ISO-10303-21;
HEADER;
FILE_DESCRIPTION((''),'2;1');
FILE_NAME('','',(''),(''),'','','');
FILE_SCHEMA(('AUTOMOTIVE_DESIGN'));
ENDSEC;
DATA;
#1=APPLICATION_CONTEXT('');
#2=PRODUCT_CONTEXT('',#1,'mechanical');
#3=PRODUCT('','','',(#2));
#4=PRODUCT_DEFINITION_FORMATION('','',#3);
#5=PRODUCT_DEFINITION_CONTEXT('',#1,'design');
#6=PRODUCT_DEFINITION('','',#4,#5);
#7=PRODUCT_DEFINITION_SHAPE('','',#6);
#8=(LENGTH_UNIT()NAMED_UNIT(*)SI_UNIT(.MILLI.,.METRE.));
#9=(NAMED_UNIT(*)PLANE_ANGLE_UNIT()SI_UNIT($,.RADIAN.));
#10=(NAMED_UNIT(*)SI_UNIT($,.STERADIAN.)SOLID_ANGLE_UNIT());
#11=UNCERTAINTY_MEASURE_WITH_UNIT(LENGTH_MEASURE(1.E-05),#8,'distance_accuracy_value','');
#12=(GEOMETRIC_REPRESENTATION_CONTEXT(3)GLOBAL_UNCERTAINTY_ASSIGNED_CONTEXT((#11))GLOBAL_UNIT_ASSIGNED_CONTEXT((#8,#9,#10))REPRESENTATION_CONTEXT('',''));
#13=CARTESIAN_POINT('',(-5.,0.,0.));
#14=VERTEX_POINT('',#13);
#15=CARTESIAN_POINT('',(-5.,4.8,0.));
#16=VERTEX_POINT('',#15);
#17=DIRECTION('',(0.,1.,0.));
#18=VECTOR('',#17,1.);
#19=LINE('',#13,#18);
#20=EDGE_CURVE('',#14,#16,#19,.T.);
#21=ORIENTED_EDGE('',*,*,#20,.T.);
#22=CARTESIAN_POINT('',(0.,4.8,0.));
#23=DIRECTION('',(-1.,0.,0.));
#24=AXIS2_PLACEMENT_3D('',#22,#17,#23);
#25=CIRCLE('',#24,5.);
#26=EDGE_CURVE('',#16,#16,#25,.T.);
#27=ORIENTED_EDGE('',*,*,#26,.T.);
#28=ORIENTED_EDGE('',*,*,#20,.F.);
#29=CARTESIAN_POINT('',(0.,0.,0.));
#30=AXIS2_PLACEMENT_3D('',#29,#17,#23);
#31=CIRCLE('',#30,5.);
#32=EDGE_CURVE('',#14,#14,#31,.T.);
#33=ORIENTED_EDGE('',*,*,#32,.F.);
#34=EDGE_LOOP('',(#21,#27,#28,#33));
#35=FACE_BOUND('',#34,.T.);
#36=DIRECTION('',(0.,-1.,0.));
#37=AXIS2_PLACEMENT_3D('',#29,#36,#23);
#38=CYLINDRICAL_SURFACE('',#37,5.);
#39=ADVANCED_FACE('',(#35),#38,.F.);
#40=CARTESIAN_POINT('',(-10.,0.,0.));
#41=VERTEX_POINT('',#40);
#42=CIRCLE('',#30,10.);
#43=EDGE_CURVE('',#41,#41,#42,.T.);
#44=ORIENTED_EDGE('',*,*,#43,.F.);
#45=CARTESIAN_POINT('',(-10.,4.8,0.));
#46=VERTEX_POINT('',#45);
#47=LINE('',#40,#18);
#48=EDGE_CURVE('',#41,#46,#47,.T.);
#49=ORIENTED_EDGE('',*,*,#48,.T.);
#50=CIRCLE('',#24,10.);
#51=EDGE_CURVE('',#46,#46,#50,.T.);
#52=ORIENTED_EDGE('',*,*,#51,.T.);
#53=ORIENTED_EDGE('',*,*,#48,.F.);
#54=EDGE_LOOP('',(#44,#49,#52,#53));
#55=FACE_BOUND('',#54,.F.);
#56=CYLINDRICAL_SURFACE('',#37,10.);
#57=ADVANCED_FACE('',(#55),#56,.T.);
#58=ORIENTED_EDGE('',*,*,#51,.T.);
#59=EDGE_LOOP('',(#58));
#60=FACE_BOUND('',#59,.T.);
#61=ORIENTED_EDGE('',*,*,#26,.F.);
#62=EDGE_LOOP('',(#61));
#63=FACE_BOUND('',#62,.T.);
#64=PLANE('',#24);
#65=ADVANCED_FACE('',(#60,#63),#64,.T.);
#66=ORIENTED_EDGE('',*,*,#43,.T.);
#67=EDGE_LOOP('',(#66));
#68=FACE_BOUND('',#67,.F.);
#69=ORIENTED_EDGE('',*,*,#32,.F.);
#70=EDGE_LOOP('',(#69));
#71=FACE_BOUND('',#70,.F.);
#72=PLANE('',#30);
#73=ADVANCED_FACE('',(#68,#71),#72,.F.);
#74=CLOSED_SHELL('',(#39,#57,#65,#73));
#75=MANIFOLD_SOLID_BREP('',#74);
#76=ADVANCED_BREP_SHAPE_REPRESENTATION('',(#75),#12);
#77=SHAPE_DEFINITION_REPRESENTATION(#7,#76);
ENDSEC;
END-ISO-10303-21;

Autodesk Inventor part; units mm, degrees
ref_plane "YZ Plane" through (0, 0, 0) normal (1, 0, 0) x (0, 1, 0)
ref_plane "XZ Plane" through (0, 0, 0) normal (0, 1, 0) x (-1, 0, 0)
ref_plane "XY Plane" through (0, 0, 0) normal (0, 0, 1) x (1, 0, 0)
sketch "스케치1" plane through (0, 0, 0) normal (0, 1, 0) x (-1, 0, 0)
  circle A0 centre (0, 0) radius 5
  circle A1 centre (0, 0) radius 10
  dimension "d0" = 10
  dimension "d1" = 20
extrude "돌출1" add sketch "스케치1" along normal blind 4.8
properties part number "m10 tube_3D 인쇄"
